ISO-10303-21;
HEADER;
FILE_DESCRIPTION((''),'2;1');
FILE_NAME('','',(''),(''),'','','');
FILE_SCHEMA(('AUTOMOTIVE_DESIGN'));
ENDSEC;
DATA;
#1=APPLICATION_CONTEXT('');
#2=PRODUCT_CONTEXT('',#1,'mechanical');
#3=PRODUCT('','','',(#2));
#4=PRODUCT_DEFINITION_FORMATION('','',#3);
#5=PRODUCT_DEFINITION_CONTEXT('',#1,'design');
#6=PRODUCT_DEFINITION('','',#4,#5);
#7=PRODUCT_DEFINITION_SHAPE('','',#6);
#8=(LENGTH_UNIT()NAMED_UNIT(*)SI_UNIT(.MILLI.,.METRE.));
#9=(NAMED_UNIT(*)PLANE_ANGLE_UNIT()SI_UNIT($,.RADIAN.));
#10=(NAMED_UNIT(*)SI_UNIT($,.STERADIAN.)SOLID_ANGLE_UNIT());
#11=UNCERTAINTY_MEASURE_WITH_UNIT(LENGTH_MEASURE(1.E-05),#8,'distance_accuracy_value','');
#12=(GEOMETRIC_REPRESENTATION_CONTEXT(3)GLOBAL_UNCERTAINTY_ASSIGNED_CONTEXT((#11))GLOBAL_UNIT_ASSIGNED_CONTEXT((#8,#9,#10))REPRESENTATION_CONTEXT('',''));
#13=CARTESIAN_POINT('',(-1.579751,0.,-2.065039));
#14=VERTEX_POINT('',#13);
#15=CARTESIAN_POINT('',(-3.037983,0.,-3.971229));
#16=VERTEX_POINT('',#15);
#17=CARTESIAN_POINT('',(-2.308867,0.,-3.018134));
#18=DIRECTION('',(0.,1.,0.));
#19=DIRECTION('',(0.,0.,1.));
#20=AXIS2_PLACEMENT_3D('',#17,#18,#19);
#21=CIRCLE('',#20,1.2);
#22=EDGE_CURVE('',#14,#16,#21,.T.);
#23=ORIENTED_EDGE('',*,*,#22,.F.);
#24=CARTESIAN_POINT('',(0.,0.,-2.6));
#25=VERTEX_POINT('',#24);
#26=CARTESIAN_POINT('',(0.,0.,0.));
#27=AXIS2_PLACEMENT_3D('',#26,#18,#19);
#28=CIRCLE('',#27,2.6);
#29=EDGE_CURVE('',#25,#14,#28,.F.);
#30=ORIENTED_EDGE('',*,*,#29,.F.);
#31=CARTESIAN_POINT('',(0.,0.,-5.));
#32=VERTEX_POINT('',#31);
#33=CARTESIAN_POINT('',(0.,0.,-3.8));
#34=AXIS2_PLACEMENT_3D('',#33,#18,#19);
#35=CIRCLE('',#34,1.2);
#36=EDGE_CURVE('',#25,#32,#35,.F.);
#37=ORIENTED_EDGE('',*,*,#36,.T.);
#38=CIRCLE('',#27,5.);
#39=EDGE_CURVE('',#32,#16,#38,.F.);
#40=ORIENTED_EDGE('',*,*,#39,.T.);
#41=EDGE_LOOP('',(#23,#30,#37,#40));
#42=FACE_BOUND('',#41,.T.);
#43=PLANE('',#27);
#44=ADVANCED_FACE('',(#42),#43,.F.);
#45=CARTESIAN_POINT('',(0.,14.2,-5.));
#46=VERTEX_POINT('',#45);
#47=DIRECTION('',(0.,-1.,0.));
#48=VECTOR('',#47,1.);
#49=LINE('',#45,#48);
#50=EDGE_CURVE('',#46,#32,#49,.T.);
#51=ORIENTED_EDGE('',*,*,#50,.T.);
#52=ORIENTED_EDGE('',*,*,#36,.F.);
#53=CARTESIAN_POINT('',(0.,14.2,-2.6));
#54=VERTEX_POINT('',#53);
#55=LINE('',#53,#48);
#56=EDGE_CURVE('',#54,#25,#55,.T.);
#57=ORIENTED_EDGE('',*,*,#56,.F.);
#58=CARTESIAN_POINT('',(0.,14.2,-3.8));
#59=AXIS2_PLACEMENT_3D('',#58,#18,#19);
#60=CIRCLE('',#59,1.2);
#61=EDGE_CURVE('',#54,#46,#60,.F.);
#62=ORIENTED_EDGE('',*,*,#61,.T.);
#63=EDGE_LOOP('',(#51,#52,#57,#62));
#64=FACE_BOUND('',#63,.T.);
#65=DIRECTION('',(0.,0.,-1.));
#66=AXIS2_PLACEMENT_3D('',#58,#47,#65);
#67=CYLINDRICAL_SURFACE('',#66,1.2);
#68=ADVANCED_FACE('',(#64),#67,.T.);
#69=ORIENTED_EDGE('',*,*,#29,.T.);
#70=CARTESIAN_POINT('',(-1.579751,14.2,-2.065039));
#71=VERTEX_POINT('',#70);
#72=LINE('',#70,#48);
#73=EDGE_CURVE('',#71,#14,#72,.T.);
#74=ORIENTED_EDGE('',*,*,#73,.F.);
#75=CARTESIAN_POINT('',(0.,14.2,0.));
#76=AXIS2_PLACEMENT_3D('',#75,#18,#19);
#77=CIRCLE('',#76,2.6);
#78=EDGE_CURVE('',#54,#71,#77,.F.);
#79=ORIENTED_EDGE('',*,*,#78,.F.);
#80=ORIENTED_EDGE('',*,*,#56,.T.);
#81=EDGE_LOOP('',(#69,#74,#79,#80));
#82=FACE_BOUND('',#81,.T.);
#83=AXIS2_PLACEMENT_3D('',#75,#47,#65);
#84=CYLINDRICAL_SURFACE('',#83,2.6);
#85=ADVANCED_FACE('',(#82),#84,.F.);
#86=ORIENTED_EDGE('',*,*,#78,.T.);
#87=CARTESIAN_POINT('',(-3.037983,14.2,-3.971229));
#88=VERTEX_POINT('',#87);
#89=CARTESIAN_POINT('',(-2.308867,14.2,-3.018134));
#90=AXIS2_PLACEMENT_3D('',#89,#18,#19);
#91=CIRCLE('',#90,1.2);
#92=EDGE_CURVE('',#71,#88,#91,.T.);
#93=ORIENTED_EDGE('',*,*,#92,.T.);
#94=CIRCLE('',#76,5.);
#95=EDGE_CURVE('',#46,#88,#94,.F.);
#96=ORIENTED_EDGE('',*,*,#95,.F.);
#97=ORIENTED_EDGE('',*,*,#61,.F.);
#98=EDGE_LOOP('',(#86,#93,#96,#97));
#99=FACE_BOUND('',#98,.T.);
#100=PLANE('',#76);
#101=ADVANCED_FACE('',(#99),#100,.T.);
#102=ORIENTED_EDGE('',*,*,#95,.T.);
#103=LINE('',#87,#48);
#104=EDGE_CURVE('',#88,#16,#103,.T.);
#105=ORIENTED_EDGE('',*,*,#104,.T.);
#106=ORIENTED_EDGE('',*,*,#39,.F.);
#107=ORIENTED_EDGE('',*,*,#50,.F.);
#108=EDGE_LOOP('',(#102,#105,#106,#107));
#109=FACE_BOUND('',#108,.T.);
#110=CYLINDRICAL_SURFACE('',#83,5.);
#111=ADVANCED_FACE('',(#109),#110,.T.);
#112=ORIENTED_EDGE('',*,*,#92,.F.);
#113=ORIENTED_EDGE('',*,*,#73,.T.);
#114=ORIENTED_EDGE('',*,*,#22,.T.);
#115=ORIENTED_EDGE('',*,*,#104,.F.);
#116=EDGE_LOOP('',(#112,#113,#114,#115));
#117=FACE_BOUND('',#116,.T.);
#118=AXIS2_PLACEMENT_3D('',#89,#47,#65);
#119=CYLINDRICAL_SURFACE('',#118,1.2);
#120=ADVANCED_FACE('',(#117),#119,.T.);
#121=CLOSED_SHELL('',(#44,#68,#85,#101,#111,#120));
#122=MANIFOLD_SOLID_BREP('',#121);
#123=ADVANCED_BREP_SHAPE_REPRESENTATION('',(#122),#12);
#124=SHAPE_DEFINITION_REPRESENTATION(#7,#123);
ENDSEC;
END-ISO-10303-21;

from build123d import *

# Parameters (mm, degrees)
BOSS_EXTRUDE1_DEPTH = 14.2


with BuildPart() as part:
    # Sketch1 → Boss-Extrude1 (new body)
    with BuildSketch(Plane(origin=(0, 0, 0), x_dir=(1, 0, 0), z_dir=(0, 1, 0))):
        with BuildLine():
            ThreePointArc((0, 2.6), (0.833935879, -2.4626309), (-1.579750972, 2.065039192))
            ThreePointArc((-1.579750972, 2.065039192), (-1.355771794, 3.747250038), (-3.037982639, 3.971229216))
            ThreePointArc((-3.037982639, 3.971229216), (1.603722844, -4.735828654), (0, 5))
            ThreePointArc((0, 5), (-1.2, 3.8), (0, 2.6))
        make_face()
    extrude(amount=BOSS_EXTRUDE1_DEPTH)


solid = part.part
